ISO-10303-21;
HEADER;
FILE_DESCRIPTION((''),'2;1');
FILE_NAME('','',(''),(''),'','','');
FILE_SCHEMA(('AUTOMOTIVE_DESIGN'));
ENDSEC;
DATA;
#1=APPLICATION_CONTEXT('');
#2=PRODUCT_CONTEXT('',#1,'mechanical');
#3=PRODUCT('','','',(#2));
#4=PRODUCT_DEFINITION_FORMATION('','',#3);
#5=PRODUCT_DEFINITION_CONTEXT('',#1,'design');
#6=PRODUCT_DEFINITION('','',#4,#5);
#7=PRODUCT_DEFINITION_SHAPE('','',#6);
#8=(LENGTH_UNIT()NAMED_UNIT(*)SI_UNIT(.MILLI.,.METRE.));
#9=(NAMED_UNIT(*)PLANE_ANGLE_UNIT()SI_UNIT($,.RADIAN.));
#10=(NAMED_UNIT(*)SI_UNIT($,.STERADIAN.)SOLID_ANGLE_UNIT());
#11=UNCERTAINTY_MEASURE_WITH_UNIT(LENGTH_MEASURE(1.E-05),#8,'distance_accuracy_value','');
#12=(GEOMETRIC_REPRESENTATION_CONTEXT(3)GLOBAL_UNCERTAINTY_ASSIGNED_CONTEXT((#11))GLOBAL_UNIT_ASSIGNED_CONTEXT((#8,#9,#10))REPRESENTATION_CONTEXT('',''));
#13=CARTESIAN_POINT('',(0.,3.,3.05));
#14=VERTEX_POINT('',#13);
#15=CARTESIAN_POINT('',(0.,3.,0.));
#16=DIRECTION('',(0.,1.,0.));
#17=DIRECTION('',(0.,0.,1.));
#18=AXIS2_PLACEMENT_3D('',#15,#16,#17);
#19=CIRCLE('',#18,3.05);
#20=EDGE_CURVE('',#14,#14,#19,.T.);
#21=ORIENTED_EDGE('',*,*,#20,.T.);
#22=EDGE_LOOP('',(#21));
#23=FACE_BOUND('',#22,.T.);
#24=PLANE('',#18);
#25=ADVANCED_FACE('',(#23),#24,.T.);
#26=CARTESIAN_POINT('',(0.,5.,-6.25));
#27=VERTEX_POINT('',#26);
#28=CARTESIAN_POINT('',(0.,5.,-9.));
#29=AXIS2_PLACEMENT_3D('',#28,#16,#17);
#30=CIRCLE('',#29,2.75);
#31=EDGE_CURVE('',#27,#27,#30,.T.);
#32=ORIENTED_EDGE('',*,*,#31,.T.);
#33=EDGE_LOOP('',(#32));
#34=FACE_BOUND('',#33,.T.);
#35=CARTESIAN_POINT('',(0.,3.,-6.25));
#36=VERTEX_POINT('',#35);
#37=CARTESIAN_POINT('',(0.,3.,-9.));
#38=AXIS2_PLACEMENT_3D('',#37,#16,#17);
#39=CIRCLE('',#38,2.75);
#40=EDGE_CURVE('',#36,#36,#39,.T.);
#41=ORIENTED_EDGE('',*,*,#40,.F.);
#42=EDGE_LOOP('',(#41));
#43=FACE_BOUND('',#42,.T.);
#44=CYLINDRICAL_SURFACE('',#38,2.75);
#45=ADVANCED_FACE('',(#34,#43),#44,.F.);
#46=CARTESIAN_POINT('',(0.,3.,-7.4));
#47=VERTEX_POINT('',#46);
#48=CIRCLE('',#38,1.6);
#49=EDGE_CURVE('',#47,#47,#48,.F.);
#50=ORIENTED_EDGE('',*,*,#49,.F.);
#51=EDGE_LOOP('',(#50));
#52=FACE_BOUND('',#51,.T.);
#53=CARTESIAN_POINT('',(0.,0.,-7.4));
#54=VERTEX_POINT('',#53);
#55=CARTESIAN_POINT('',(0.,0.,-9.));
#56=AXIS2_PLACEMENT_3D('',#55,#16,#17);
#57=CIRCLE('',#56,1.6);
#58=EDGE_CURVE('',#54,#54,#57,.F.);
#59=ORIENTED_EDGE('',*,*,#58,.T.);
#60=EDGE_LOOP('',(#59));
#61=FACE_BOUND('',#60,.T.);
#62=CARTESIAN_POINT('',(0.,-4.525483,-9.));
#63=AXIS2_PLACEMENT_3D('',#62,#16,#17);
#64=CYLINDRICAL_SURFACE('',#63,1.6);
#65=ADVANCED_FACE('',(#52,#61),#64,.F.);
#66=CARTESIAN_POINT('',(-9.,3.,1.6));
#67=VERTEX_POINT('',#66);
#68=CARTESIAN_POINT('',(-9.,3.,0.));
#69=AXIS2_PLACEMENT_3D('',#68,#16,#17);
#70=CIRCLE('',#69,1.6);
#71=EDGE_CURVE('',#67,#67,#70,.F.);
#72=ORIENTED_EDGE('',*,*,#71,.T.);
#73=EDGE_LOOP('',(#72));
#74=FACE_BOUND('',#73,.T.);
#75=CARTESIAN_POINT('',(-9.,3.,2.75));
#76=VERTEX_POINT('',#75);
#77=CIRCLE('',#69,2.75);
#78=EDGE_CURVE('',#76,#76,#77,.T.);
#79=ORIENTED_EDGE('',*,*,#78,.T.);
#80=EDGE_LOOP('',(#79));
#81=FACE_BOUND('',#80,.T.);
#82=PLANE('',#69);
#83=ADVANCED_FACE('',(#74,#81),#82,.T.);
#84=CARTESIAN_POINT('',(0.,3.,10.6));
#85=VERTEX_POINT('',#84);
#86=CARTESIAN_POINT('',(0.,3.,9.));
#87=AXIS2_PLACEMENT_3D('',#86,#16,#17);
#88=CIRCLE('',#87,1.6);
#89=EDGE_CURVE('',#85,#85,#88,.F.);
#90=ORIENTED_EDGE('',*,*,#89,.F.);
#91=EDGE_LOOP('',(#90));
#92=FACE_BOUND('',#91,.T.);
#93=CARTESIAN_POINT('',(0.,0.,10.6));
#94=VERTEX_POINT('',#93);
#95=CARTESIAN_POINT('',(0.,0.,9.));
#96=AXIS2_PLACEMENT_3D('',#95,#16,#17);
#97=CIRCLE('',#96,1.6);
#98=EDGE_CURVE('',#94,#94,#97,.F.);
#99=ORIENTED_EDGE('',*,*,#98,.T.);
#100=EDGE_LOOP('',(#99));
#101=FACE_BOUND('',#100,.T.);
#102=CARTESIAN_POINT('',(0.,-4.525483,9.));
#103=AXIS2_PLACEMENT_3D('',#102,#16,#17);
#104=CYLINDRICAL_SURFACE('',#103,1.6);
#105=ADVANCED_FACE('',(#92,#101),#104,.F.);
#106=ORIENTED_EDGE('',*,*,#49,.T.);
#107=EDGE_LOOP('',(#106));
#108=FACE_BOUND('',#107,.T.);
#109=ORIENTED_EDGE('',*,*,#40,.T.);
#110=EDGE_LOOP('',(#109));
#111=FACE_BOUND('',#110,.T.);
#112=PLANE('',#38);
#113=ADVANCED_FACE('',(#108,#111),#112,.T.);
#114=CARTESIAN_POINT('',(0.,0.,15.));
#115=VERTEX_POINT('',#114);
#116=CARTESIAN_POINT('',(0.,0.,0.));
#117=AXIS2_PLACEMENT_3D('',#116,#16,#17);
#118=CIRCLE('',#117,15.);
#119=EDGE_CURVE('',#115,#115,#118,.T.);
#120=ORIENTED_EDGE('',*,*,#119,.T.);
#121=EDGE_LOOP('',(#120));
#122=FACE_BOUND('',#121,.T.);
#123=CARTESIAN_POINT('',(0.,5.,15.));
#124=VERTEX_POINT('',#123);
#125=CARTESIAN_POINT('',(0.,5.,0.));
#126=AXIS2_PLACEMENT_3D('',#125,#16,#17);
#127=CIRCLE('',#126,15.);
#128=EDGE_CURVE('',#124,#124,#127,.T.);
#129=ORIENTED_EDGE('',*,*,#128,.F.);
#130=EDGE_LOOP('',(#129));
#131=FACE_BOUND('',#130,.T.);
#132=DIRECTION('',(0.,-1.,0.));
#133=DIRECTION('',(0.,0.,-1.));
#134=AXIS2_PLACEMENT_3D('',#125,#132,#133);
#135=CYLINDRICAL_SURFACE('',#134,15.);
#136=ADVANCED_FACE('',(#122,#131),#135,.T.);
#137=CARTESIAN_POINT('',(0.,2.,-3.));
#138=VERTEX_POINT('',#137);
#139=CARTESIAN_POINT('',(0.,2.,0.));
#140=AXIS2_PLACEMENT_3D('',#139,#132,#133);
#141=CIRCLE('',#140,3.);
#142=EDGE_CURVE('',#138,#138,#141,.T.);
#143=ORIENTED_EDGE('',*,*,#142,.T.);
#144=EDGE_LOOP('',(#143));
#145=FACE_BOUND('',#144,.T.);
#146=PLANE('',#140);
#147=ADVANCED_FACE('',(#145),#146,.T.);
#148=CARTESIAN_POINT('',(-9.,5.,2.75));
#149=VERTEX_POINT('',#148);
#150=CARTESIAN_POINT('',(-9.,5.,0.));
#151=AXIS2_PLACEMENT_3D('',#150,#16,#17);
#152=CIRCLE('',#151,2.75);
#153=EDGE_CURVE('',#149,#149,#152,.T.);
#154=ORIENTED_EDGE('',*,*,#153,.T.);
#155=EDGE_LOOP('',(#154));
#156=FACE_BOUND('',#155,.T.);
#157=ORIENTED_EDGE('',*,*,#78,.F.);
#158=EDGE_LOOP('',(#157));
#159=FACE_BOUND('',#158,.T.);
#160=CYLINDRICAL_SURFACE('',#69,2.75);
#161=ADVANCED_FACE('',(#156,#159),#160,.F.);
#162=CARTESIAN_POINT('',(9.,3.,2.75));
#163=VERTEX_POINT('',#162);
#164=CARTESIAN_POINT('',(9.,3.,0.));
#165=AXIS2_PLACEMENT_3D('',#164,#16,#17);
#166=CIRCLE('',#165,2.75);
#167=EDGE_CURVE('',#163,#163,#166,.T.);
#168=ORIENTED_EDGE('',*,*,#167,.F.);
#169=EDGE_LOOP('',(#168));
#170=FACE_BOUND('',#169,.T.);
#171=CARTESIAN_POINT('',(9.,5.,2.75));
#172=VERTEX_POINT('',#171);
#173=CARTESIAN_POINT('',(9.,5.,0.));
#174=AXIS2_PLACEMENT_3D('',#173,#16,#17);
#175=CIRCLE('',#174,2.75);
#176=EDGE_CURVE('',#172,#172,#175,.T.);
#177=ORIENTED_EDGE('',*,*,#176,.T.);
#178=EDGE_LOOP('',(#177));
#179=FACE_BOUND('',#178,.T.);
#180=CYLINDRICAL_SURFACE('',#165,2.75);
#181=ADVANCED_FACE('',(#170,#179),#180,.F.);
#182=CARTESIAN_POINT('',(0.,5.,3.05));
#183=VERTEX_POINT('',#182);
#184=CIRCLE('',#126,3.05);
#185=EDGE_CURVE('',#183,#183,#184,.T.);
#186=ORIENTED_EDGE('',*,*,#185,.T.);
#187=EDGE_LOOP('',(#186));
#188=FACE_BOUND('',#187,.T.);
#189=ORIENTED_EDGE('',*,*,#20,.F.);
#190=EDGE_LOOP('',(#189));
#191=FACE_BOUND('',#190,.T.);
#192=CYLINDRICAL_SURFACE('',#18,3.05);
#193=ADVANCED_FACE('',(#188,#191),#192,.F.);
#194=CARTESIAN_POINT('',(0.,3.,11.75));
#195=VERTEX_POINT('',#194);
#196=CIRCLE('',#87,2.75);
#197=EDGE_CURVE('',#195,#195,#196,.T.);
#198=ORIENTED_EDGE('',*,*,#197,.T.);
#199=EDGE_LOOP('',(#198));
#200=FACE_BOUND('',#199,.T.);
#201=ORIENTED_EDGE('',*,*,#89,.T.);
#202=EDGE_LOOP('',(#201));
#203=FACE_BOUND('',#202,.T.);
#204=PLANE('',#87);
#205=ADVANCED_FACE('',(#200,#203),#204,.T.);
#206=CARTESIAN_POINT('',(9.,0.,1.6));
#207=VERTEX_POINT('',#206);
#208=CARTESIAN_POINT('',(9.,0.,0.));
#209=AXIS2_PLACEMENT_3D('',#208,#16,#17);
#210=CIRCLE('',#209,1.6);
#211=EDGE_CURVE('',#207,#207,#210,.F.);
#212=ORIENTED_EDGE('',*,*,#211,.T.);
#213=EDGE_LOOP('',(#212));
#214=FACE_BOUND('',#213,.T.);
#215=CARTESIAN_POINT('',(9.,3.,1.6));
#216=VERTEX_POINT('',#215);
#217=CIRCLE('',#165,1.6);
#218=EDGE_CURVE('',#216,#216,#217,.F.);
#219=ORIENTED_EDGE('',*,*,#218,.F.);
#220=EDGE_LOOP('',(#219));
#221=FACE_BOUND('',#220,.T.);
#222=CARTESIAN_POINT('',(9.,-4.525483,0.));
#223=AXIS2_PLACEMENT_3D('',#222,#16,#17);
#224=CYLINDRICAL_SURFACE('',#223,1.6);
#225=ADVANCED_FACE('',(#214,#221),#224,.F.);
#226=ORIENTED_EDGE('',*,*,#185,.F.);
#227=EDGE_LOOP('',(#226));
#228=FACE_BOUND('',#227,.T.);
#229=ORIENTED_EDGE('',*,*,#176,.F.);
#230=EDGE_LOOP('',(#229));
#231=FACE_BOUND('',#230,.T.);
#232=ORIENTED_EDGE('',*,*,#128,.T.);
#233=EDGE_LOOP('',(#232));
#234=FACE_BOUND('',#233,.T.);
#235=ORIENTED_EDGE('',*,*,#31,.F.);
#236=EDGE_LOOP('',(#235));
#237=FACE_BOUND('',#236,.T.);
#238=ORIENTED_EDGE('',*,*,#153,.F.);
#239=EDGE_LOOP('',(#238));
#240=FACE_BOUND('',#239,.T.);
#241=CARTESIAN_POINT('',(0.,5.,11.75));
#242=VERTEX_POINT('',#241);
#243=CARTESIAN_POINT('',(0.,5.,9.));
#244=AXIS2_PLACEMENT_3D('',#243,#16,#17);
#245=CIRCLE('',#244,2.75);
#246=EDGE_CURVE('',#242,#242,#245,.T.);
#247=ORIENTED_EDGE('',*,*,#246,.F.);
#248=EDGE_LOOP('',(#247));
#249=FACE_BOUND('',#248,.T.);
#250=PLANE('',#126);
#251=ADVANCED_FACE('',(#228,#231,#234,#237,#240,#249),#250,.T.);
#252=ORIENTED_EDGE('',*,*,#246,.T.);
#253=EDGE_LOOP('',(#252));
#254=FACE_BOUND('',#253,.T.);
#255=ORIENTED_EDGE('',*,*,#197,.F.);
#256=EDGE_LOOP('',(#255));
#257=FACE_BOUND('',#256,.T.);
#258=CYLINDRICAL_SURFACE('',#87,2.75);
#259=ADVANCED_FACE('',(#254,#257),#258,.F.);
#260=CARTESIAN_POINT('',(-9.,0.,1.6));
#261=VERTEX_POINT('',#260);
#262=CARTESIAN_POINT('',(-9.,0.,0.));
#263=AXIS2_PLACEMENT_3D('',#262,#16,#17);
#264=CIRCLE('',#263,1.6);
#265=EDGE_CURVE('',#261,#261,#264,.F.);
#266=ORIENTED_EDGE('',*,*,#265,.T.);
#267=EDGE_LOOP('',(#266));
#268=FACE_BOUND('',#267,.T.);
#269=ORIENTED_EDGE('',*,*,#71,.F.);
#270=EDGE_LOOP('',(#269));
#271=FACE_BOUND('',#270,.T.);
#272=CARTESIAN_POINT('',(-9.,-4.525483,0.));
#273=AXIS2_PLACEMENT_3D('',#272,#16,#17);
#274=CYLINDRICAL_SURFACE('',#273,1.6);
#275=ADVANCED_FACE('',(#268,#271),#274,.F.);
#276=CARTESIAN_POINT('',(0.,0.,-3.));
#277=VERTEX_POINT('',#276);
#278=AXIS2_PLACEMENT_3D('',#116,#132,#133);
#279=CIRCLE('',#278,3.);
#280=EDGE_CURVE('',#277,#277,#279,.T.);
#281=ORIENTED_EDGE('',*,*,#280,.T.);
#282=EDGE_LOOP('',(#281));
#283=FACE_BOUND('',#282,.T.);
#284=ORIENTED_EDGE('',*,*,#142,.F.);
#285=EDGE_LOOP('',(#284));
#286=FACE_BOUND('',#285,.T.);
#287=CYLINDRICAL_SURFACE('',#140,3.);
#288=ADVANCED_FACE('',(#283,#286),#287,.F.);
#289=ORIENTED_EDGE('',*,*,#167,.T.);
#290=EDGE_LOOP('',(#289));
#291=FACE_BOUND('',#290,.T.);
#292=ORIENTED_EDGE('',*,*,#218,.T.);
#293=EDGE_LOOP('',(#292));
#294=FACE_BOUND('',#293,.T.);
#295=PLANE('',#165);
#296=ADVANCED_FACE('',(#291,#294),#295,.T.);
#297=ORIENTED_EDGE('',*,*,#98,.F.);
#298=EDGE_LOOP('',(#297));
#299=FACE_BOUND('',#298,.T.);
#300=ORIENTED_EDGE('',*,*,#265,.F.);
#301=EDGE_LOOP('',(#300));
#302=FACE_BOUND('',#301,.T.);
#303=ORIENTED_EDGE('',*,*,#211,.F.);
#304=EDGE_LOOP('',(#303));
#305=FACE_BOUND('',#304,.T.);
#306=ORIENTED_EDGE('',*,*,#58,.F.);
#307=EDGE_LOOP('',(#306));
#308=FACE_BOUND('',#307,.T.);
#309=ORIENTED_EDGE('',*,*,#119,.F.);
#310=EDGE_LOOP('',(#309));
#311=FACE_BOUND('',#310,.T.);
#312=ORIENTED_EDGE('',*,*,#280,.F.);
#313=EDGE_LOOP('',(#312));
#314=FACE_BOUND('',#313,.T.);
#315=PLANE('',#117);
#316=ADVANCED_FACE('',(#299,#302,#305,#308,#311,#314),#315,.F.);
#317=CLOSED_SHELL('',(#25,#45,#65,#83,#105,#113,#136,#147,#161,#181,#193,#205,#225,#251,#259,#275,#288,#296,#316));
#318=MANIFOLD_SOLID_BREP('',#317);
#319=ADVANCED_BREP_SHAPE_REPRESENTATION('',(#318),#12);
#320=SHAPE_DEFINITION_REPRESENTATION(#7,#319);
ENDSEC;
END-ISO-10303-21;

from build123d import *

# Parameters (mm, degrees)
SKETCH1_R           = 15
BOSS_EXTRUDE1_DEPTH = 5
SKETCH2_R           = 3
CUT_EXTRUDE1_DEPTH  = 2
SKETCH3_R           = 1.6
CUT_EXTRUDE2_DEPTH  = 5
SKETCH4_R           = 2.75
SKETCH4_R_2         = 3.05
CUT_EXTRUDE3_DEPTH  = 2


with BuildPart() as part:
    # Sketch1 → Boss-Extrude1 (new body)
    with BuildSketch(Plane(origin=(0, 0, 0), x_dir=(1, 0, 0), z_dir=(0, 1, 0))):
        with Locations(Location((0, 0, 0), (0, 0, 270))):
            Circle(SKETCH1_R)
    extrude(amount=BOSS_EXTRUDE1_DEPTH)

    # Sketch2 → Cut-Extrude1 (cut)
    with BuildSketch(Plane.XZ):
        with Locations(Location((0, 0, 0), (0, 0, 270))):
            Circle(SKETCH2_R)
    extrude(amount=-CUT_EXTRUDE1_DEPTH, mode=Mode.SUBTRACT)

    # Sketch3 → Cut-Extrude2 (cut)
    with BuildSketch(Plane(origin=(0, 5, 0), x_dir=(1, 0, 0), z_dir=(0, 1, 0))):
        with Locations(Location((0, 9, 0), (0, 0, 270))):
            Circle(SKETCH3_R)
        with Locations(Location((0, -9, 0), (0, 0, 270))):
            Circle(SKETCH3_R)
        with Locations(Location((9, 0, 0), (0, 0, 270))):
            Circle(SKETCH3_R)
        with Locations(Location((-9, 0, 0), (0, 0, 270))):
            Circle(SKETCH3_R)
    extrude(amount=-CUT_EXTRUDE2_DEPTH, mode=Mode.SUBTRACT)

    # Sketch4 → Cut-Extrude3 (cut)
    with BuildSketch(Plane(origin=(0, 5, 0), x_dir=(1, 0, 0), z_dir=(0, 1, 0))):
        with Locations(Location((0, 9, 0), (0, 0, 270))):
            Circle(SKETCH4_R)
        with Locations(Location((-9, 0, 0), (0, 0, 270))):
            Circle(SKETCH4_R)
        with Locations(Location((9, 0, 0), (0, 0, 270))):
            Circle(SKETCH4_R)
        with Locations(Location((0, -9, 0), (0, 0, 270))):
            Circle(SKETCH4_R)
        with Locations(Location((0, 0, 0), (0, 0, 270))):
            Circle(SKETCH4_R_2)
    extrude(amount=-CUT_EXTRUDE3_DEPTH, mode=Mode.SUBTRACT)


solid = part.part
